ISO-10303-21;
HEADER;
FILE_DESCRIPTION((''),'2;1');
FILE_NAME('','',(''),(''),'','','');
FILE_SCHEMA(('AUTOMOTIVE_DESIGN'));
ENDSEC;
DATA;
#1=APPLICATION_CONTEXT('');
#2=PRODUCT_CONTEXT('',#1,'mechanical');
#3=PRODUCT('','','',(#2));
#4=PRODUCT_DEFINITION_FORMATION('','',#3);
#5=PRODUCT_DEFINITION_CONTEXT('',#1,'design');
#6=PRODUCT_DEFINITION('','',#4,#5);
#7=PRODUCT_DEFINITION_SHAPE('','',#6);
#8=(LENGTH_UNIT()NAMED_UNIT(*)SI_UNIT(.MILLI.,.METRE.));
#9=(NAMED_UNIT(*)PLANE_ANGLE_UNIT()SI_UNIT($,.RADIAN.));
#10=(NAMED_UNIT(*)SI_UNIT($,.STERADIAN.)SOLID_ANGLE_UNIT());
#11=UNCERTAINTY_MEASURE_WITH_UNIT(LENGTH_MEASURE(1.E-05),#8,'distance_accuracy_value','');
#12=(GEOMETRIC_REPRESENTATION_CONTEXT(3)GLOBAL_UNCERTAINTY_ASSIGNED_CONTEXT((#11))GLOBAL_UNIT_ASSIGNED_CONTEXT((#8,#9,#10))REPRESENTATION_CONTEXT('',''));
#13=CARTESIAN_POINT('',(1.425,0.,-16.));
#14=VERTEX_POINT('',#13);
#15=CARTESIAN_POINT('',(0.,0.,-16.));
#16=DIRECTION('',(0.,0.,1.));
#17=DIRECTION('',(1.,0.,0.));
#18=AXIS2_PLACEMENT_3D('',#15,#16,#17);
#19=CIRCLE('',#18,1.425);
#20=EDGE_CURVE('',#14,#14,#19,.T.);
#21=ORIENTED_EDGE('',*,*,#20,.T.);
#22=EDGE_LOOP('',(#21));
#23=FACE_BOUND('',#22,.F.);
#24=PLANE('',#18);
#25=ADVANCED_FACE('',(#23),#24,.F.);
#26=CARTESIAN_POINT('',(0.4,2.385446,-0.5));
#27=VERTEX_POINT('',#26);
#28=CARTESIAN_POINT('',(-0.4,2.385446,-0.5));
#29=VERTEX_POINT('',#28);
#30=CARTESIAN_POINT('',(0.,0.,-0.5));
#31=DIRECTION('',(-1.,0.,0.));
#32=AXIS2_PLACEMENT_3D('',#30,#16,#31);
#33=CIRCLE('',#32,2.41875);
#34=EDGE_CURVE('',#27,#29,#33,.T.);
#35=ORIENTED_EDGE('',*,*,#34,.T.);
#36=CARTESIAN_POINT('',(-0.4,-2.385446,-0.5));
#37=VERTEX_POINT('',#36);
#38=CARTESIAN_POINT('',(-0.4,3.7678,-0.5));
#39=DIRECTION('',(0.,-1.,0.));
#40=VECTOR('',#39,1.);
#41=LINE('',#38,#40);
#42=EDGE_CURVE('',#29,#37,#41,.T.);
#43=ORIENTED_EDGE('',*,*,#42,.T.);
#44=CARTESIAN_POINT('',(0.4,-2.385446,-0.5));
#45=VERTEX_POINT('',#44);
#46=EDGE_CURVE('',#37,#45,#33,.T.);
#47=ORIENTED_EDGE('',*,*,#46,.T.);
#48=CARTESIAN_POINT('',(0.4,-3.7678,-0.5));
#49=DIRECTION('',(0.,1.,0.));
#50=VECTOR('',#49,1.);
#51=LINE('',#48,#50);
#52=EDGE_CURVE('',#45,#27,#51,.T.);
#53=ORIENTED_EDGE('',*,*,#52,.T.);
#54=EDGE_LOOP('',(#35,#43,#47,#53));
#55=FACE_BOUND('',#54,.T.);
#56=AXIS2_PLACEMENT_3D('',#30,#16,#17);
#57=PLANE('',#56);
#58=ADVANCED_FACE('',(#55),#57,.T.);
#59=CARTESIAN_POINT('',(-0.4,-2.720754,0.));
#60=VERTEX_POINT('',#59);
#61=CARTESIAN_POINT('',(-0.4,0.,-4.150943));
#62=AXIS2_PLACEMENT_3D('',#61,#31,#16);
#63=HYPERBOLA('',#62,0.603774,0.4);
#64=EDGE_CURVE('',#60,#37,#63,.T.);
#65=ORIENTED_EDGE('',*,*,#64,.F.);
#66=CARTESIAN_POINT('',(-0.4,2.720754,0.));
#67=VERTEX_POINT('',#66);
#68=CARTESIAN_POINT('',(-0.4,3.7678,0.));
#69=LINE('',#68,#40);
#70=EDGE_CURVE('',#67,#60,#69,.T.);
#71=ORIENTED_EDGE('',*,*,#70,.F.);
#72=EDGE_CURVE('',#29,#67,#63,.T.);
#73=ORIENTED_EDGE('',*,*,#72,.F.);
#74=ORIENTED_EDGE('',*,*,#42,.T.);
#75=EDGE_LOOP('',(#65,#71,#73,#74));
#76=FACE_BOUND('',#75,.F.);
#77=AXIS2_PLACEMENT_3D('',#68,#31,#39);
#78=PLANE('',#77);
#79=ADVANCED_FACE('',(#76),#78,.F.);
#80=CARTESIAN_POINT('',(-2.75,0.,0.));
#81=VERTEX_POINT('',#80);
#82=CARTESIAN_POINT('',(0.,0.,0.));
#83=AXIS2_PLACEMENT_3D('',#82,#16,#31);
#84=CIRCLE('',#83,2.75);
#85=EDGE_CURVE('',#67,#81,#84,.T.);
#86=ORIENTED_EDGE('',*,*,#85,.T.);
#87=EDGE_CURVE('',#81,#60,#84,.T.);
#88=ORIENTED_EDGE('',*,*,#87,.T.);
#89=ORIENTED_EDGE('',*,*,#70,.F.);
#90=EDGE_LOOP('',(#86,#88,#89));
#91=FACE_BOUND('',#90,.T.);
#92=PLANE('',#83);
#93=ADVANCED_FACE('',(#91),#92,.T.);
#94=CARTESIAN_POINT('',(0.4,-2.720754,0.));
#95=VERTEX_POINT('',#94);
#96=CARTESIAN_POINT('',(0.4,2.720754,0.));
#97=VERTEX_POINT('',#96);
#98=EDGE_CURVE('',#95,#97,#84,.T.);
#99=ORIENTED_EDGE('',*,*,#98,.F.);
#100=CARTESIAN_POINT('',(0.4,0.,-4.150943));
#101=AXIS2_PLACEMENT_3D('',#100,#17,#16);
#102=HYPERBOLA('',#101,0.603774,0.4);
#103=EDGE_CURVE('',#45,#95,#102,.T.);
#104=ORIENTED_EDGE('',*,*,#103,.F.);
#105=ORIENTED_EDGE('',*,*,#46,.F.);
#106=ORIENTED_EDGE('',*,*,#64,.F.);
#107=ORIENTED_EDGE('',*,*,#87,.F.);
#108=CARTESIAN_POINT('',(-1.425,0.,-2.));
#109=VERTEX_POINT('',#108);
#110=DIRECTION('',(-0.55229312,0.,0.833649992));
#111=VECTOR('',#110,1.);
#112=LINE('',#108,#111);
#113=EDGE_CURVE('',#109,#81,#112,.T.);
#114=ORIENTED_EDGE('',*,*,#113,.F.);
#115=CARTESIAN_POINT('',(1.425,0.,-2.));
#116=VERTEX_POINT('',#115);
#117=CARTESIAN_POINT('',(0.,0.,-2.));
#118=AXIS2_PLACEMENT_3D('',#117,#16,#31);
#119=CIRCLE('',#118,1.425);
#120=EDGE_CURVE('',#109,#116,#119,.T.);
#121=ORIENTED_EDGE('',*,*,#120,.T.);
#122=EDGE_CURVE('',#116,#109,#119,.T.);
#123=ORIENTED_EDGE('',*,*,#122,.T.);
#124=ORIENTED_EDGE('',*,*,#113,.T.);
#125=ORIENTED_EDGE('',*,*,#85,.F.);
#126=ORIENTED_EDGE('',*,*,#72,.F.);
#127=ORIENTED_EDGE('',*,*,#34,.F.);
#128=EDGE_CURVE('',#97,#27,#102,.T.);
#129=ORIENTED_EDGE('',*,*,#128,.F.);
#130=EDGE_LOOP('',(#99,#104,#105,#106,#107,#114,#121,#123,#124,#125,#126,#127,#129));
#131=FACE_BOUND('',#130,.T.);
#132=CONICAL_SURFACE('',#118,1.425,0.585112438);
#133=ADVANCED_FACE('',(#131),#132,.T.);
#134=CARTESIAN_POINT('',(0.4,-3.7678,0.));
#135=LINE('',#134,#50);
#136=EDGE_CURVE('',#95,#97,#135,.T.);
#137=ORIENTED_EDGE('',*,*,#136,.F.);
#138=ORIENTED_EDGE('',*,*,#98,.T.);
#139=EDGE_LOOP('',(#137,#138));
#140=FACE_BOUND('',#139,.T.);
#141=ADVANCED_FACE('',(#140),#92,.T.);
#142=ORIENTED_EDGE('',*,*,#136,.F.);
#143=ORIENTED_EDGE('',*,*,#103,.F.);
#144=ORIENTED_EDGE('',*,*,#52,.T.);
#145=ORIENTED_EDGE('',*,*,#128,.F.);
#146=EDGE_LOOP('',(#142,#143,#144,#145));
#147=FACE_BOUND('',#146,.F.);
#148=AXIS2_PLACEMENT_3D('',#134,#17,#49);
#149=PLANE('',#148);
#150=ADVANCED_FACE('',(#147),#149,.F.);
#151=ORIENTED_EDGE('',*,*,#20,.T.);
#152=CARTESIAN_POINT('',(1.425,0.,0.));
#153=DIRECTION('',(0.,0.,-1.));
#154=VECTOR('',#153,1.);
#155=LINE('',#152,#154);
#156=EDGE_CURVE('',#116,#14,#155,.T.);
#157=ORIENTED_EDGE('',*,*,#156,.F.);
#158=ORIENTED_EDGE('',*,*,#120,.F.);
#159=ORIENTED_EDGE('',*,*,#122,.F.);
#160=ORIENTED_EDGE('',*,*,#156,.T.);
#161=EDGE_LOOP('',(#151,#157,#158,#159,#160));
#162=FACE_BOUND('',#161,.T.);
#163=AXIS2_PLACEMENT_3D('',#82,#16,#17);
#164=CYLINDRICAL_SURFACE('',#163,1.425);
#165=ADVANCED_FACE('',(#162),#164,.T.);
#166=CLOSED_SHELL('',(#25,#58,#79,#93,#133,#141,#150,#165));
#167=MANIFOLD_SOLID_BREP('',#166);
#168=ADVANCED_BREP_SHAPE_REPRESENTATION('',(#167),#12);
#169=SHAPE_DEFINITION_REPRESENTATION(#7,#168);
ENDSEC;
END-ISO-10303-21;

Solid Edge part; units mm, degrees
sketch "Sketch1" plane through (0, 0, 0) normal (0, 0, 1) x (1, 0, 0)
  circle A0 centre (0, 0) radius 1.425
extrude "Protrusion1" add sketch "Sketch1" against normal blind 16
sketch "Sketch2" plane through (0, 0, 0) normal (0, -1, 0) x (1, 0, 0)
  line L0 (-1.425, -2) -> (-2.75, 0)
  line L1 (-2.75, 0) -> (0, 0)
  line L2 (-1.425, -2) -> (-1.425, 0)
revolve "RevolvedProtrusion1" add sketch "Sketch2" angle 360 about axis through (0, 0, 0) along (0, 0, 1) material side at (-2.0458, 0, -0.9724)
sketch "Sketch3" plane through (0, 0, 0) normal (0, 0, 1) x (0, -1, 0)
  line L0 (-3.7678, -0.4) -> (3.7678, -0.4)
  line L1 (3.7678, -0.4) -> (3.7678, 0.4)
  line L2 (3.7678, 0.4) -> (-3.7678, 0.4)
  line L3 (-3.7678, 0.4) -> (-3.7678, -0.4)
extrude "ExtrudedCutout_1" cut sketch "Sketch3" against normal blind 0.5
properties material "Graphite"
